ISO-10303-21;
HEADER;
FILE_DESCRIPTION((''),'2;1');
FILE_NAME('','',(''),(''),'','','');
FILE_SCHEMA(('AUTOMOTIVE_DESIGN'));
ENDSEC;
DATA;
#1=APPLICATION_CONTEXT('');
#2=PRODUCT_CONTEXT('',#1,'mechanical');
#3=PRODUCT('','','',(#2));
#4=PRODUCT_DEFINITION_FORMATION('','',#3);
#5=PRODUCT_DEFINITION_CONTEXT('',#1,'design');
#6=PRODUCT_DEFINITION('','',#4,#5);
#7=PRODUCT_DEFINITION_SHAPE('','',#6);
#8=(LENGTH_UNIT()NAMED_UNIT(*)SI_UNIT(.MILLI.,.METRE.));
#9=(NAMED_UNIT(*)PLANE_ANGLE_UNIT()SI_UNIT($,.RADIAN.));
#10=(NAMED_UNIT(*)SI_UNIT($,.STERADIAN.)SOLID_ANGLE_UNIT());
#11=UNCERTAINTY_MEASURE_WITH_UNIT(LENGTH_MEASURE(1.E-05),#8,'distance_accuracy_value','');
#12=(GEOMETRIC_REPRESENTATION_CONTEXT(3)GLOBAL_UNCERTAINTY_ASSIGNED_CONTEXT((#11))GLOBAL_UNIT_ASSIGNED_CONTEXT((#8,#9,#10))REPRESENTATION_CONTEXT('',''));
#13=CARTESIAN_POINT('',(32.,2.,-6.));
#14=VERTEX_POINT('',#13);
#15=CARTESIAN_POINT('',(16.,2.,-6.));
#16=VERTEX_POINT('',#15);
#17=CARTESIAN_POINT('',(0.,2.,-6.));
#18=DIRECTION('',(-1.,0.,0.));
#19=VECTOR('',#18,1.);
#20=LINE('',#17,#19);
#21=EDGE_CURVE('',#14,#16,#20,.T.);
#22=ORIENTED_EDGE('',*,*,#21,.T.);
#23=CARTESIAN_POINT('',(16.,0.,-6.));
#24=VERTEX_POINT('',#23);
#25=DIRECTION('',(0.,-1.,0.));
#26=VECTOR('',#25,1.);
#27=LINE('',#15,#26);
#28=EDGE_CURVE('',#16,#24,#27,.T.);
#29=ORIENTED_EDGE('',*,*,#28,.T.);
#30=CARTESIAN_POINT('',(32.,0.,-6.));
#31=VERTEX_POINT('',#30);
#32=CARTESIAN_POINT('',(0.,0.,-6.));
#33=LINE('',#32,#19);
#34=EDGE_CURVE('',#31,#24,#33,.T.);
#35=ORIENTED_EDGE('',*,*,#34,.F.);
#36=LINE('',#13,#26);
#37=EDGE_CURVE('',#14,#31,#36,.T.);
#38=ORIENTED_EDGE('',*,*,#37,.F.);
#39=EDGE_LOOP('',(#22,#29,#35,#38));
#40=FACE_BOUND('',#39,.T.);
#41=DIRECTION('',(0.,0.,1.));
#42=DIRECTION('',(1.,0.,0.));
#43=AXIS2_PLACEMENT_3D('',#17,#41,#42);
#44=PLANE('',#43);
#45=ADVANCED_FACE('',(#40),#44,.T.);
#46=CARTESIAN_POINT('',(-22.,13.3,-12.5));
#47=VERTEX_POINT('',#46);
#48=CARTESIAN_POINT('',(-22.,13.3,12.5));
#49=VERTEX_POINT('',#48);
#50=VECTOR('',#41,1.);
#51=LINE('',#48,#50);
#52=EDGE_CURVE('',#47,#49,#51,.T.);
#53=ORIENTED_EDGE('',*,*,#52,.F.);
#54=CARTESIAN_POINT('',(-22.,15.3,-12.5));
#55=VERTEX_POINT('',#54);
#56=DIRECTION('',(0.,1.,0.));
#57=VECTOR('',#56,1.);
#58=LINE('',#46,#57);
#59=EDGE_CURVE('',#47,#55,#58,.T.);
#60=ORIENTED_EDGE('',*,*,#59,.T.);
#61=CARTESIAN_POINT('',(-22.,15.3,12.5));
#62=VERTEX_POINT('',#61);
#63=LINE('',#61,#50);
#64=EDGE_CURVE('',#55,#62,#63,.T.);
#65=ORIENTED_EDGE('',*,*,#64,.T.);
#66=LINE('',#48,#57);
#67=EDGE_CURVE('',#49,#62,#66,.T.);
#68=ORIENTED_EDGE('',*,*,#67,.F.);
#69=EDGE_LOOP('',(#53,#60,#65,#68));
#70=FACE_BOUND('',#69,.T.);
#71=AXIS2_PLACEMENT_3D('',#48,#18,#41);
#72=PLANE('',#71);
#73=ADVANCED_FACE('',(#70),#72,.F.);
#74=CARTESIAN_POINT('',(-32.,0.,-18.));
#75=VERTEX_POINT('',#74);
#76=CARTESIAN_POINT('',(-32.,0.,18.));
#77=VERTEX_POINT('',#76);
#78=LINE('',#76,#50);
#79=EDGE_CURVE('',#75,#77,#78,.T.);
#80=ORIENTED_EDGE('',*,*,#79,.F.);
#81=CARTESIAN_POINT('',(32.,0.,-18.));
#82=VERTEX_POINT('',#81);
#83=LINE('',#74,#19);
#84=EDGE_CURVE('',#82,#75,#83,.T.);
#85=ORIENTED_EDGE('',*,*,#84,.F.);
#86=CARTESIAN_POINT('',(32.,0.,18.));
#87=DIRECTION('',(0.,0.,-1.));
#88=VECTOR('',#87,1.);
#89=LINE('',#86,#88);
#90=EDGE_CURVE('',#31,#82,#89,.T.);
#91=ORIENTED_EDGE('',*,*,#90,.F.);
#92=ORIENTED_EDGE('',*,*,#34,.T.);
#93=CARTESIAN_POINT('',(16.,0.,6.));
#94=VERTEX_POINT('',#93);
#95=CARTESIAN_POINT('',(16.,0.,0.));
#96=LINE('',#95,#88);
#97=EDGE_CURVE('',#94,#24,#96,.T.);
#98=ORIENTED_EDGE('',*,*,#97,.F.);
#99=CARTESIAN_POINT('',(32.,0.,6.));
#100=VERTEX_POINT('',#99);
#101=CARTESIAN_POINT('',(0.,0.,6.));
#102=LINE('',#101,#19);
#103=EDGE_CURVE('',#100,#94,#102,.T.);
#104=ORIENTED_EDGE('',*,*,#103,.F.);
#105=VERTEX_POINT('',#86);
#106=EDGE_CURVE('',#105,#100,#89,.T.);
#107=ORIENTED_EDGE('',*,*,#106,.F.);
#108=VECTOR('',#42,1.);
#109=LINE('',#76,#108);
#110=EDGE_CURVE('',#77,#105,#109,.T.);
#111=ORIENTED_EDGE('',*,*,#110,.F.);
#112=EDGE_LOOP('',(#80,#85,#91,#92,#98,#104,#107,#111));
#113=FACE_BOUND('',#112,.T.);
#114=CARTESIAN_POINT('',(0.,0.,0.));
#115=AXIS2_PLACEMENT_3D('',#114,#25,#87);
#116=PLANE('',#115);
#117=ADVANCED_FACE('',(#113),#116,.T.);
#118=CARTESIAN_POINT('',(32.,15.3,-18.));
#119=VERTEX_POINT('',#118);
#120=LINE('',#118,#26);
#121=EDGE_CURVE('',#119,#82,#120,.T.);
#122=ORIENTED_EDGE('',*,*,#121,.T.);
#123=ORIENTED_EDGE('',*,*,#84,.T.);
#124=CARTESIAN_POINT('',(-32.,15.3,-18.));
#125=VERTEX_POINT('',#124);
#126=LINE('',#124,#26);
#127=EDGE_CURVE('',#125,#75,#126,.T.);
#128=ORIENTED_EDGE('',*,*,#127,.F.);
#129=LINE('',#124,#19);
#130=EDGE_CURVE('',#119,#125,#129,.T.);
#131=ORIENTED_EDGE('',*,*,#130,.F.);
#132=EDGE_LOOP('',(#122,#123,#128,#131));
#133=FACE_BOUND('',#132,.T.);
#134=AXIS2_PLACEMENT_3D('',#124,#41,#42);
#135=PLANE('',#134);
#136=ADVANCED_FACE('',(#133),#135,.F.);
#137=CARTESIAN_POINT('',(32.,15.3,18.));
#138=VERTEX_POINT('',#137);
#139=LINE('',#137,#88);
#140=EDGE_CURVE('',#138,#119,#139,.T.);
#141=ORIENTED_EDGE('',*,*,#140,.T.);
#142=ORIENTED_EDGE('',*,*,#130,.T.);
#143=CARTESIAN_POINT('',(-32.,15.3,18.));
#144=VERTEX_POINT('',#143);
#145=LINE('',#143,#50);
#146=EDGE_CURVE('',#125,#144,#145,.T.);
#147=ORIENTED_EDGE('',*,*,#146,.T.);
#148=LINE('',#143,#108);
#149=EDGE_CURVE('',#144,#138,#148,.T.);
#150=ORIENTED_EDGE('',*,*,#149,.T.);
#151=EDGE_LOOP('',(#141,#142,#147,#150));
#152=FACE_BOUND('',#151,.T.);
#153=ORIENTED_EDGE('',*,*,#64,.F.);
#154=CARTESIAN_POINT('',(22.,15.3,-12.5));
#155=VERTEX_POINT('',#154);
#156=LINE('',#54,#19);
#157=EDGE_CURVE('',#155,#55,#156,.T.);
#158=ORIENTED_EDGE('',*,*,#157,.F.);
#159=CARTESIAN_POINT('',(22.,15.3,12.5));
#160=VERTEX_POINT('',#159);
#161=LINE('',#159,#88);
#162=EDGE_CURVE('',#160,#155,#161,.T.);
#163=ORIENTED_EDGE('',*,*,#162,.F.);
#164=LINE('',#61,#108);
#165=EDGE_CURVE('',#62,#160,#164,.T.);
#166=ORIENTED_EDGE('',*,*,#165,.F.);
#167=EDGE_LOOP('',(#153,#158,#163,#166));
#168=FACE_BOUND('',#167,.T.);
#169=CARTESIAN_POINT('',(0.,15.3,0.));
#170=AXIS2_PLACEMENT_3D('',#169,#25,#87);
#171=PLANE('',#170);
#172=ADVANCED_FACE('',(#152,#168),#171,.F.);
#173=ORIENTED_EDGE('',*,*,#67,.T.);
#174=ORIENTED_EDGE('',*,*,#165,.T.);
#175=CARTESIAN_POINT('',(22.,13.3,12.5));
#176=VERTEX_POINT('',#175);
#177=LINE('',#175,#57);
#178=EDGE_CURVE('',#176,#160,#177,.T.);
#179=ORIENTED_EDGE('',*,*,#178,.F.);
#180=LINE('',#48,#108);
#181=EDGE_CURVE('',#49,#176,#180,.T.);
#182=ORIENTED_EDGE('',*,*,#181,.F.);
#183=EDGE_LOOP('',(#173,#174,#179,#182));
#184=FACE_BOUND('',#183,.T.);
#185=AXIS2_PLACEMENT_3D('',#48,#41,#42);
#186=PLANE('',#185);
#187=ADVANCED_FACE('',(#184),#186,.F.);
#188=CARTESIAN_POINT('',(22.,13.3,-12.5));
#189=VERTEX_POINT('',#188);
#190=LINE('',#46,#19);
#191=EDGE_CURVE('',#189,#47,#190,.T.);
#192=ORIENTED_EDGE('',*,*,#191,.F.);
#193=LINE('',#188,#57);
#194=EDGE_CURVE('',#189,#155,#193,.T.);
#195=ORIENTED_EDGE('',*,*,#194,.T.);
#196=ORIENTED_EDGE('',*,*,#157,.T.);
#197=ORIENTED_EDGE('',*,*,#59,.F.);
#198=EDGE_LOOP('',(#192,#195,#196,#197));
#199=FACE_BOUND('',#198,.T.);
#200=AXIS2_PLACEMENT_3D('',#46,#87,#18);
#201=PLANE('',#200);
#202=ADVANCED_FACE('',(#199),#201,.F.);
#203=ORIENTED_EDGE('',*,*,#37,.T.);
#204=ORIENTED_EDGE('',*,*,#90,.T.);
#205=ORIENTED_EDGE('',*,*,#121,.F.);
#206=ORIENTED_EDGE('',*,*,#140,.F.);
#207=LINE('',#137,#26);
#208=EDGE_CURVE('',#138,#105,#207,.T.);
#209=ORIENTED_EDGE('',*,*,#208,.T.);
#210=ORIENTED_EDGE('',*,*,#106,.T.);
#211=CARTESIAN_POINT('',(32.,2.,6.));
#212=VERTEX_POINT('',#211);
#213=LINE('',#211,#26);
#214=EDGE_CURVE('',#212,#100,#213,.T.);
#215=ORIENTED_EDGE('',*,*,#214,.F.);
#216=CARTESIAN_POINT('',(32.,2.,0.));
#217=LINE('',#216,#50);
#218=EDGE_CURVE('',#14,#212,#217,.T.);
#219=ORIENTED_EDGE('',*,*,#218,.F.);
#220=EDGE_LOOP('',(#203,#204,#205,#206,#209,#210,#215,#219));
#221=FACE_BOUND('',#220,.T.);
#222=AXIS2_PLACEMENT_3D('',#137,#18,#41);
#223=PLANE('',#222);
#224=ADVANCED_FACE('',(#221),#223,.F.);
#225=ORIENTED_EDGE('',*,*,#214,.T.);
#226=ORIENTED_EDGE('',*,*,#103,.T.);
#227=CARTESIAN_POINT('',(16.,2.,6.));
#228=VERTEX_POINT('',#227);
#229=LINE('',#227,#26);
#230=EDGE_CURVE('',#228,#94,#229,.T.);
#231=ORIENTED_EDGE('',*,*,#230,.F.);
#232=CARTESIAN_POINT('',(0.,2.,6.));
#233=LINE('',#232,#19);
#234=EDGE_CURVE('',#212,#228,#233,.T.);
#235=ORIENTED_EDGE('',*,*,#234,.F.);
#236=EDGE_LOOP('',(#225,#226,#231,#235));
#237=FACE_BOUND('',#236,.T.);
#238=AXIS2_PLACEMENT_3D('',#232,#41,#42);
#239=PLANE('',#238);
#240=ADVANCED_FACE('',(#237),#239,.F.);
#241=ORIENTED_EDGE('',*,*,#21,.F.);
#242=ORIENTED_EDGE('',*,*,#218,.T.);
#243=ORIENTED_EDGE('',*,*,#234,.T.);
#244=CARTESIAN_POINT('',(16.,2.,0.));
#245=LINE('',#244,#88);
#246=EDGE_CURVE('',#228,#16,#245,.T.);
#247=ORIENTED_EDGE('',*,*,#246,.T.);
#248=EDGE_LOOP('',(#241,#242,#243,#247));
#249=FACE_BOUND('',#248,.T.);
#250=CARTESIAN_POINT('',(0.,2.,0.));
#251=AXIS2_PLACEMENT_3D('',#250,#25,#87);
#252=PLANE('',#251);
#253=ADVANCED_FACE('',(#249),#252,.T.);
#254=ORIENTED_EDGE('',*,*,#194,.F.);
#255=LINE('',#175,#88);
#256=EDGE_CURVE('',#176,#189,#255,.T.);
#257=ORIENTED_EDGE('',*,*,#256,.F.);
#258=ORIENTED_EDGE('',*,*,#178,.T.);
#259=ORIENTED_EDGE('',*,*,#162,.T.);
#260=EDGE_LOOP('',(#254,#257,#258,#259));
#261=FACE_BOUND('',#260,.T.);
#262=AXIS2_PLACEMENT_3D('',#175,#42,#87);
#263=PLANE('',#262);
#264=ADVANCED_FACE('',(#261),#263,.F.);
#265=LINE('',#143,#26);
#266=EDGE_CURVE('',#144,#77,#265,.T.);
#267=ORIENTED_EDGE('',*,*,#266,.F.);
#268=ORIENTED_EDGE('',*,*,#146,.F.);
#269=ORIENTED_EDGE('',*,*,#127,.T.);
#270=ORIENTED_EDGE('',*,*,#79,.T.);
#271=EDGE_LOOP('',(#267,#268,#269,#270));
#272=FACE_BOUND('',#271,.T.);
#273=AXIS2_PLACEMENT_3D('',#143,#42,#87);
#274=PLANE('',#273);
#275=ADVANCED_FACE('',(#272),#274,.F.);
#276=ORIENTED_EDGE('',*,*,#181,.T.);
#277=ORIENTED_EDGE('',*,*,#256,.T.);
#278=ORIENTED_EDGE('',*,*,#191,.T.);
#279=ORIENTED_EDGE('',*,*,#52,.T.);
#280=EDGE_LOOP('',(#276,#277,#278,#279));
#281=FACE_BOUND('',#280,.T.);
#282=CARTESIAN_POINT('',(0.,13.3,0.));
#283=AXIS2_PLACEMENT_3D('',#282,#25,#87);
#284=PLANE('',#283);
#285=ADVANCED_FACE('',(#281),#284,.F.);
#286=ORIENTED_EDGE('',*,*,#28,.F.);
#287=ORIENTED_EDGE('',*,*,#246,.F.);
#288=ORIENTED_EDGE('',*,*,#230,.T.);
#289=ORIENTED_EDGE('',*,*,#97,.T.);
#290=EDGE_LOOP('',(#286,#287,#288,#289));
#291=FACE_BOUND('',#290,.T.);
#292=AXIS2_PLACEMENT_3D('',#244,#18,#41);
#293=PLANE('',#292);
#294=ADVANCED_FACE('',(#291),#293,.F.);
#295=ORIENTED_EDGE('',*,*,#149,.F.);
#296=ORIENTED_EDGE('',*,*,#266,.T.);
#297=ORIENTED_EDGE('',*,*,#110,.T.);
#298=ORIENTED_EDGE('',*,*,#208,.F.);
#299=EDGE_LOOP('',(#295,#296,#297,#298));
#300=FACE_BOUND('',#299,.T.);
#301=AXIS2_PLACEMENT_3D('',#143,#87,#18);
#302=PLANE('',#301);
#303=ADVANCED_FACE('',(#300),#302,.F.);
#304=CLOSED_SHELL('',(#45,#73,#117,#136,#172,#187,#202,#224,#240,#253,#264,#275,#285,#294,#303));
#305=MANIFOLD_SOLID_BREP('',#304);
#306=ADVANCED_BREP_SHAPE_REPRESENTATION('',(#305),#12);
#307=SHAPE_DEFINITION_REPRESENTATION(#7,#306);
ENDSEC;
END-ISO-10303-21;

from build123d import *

# Parameters (mm, degrees)
SKETCH_1_W          = 64
SKETCH_1_H          = 36
EXTRUDE_1_DEPTH     = 15.3
SKETCH_2_W          = 44
SKETCH_2_H          = 25
CUT_EXTRUDE_1_DEPTH = 2
SKETCH_3_W          = 16
SKETCH_3_H          = 6
CUT_EXTRUDE_2_DEPTH = 2


with BuildPart() as part:
    # 草图1 → 凸台-拉伸1 (new body)
    with BuildSketch(Plane(origin=(0, 0, 0), x_dir=(1, 0, 0), z_dir=(0, 1, 0))):
        Rectangle(SKETCH_1_W, SKETCH_1_H)
    extrude(amount=EXTRUDE_1_DEPTH)

    # 草图2 → 切除-拉伸1 (cut)
    with BuildSketch(Plane(origin=(0, 15.3, 0), x_dir=(1, 0, 0), z_dir=(0, 1, 0))):
        Rectangle(SKETCH_2_W, SKETCH_2_H)
    extrude(amount=-CUT_EXTRUDE_1_DEPTH, mode=Mode.SUBTRACT)

    # 草图3 → 切除-拉伸2 (cut)
    with BuildSketch(Plane.XZ):
        with Locations((24, -3)):
            Rectangle(SKETCH_3_W, SKETCH_3_H)
        with Locations((24, 3)):
            Rectangle(SKETCH_3_W, SKETCH_3_H)
    extrude(amount=-CUT_EXTRUDE_2_DEPTH, mode=Mode.SUBTRACT)


solid = part.part
